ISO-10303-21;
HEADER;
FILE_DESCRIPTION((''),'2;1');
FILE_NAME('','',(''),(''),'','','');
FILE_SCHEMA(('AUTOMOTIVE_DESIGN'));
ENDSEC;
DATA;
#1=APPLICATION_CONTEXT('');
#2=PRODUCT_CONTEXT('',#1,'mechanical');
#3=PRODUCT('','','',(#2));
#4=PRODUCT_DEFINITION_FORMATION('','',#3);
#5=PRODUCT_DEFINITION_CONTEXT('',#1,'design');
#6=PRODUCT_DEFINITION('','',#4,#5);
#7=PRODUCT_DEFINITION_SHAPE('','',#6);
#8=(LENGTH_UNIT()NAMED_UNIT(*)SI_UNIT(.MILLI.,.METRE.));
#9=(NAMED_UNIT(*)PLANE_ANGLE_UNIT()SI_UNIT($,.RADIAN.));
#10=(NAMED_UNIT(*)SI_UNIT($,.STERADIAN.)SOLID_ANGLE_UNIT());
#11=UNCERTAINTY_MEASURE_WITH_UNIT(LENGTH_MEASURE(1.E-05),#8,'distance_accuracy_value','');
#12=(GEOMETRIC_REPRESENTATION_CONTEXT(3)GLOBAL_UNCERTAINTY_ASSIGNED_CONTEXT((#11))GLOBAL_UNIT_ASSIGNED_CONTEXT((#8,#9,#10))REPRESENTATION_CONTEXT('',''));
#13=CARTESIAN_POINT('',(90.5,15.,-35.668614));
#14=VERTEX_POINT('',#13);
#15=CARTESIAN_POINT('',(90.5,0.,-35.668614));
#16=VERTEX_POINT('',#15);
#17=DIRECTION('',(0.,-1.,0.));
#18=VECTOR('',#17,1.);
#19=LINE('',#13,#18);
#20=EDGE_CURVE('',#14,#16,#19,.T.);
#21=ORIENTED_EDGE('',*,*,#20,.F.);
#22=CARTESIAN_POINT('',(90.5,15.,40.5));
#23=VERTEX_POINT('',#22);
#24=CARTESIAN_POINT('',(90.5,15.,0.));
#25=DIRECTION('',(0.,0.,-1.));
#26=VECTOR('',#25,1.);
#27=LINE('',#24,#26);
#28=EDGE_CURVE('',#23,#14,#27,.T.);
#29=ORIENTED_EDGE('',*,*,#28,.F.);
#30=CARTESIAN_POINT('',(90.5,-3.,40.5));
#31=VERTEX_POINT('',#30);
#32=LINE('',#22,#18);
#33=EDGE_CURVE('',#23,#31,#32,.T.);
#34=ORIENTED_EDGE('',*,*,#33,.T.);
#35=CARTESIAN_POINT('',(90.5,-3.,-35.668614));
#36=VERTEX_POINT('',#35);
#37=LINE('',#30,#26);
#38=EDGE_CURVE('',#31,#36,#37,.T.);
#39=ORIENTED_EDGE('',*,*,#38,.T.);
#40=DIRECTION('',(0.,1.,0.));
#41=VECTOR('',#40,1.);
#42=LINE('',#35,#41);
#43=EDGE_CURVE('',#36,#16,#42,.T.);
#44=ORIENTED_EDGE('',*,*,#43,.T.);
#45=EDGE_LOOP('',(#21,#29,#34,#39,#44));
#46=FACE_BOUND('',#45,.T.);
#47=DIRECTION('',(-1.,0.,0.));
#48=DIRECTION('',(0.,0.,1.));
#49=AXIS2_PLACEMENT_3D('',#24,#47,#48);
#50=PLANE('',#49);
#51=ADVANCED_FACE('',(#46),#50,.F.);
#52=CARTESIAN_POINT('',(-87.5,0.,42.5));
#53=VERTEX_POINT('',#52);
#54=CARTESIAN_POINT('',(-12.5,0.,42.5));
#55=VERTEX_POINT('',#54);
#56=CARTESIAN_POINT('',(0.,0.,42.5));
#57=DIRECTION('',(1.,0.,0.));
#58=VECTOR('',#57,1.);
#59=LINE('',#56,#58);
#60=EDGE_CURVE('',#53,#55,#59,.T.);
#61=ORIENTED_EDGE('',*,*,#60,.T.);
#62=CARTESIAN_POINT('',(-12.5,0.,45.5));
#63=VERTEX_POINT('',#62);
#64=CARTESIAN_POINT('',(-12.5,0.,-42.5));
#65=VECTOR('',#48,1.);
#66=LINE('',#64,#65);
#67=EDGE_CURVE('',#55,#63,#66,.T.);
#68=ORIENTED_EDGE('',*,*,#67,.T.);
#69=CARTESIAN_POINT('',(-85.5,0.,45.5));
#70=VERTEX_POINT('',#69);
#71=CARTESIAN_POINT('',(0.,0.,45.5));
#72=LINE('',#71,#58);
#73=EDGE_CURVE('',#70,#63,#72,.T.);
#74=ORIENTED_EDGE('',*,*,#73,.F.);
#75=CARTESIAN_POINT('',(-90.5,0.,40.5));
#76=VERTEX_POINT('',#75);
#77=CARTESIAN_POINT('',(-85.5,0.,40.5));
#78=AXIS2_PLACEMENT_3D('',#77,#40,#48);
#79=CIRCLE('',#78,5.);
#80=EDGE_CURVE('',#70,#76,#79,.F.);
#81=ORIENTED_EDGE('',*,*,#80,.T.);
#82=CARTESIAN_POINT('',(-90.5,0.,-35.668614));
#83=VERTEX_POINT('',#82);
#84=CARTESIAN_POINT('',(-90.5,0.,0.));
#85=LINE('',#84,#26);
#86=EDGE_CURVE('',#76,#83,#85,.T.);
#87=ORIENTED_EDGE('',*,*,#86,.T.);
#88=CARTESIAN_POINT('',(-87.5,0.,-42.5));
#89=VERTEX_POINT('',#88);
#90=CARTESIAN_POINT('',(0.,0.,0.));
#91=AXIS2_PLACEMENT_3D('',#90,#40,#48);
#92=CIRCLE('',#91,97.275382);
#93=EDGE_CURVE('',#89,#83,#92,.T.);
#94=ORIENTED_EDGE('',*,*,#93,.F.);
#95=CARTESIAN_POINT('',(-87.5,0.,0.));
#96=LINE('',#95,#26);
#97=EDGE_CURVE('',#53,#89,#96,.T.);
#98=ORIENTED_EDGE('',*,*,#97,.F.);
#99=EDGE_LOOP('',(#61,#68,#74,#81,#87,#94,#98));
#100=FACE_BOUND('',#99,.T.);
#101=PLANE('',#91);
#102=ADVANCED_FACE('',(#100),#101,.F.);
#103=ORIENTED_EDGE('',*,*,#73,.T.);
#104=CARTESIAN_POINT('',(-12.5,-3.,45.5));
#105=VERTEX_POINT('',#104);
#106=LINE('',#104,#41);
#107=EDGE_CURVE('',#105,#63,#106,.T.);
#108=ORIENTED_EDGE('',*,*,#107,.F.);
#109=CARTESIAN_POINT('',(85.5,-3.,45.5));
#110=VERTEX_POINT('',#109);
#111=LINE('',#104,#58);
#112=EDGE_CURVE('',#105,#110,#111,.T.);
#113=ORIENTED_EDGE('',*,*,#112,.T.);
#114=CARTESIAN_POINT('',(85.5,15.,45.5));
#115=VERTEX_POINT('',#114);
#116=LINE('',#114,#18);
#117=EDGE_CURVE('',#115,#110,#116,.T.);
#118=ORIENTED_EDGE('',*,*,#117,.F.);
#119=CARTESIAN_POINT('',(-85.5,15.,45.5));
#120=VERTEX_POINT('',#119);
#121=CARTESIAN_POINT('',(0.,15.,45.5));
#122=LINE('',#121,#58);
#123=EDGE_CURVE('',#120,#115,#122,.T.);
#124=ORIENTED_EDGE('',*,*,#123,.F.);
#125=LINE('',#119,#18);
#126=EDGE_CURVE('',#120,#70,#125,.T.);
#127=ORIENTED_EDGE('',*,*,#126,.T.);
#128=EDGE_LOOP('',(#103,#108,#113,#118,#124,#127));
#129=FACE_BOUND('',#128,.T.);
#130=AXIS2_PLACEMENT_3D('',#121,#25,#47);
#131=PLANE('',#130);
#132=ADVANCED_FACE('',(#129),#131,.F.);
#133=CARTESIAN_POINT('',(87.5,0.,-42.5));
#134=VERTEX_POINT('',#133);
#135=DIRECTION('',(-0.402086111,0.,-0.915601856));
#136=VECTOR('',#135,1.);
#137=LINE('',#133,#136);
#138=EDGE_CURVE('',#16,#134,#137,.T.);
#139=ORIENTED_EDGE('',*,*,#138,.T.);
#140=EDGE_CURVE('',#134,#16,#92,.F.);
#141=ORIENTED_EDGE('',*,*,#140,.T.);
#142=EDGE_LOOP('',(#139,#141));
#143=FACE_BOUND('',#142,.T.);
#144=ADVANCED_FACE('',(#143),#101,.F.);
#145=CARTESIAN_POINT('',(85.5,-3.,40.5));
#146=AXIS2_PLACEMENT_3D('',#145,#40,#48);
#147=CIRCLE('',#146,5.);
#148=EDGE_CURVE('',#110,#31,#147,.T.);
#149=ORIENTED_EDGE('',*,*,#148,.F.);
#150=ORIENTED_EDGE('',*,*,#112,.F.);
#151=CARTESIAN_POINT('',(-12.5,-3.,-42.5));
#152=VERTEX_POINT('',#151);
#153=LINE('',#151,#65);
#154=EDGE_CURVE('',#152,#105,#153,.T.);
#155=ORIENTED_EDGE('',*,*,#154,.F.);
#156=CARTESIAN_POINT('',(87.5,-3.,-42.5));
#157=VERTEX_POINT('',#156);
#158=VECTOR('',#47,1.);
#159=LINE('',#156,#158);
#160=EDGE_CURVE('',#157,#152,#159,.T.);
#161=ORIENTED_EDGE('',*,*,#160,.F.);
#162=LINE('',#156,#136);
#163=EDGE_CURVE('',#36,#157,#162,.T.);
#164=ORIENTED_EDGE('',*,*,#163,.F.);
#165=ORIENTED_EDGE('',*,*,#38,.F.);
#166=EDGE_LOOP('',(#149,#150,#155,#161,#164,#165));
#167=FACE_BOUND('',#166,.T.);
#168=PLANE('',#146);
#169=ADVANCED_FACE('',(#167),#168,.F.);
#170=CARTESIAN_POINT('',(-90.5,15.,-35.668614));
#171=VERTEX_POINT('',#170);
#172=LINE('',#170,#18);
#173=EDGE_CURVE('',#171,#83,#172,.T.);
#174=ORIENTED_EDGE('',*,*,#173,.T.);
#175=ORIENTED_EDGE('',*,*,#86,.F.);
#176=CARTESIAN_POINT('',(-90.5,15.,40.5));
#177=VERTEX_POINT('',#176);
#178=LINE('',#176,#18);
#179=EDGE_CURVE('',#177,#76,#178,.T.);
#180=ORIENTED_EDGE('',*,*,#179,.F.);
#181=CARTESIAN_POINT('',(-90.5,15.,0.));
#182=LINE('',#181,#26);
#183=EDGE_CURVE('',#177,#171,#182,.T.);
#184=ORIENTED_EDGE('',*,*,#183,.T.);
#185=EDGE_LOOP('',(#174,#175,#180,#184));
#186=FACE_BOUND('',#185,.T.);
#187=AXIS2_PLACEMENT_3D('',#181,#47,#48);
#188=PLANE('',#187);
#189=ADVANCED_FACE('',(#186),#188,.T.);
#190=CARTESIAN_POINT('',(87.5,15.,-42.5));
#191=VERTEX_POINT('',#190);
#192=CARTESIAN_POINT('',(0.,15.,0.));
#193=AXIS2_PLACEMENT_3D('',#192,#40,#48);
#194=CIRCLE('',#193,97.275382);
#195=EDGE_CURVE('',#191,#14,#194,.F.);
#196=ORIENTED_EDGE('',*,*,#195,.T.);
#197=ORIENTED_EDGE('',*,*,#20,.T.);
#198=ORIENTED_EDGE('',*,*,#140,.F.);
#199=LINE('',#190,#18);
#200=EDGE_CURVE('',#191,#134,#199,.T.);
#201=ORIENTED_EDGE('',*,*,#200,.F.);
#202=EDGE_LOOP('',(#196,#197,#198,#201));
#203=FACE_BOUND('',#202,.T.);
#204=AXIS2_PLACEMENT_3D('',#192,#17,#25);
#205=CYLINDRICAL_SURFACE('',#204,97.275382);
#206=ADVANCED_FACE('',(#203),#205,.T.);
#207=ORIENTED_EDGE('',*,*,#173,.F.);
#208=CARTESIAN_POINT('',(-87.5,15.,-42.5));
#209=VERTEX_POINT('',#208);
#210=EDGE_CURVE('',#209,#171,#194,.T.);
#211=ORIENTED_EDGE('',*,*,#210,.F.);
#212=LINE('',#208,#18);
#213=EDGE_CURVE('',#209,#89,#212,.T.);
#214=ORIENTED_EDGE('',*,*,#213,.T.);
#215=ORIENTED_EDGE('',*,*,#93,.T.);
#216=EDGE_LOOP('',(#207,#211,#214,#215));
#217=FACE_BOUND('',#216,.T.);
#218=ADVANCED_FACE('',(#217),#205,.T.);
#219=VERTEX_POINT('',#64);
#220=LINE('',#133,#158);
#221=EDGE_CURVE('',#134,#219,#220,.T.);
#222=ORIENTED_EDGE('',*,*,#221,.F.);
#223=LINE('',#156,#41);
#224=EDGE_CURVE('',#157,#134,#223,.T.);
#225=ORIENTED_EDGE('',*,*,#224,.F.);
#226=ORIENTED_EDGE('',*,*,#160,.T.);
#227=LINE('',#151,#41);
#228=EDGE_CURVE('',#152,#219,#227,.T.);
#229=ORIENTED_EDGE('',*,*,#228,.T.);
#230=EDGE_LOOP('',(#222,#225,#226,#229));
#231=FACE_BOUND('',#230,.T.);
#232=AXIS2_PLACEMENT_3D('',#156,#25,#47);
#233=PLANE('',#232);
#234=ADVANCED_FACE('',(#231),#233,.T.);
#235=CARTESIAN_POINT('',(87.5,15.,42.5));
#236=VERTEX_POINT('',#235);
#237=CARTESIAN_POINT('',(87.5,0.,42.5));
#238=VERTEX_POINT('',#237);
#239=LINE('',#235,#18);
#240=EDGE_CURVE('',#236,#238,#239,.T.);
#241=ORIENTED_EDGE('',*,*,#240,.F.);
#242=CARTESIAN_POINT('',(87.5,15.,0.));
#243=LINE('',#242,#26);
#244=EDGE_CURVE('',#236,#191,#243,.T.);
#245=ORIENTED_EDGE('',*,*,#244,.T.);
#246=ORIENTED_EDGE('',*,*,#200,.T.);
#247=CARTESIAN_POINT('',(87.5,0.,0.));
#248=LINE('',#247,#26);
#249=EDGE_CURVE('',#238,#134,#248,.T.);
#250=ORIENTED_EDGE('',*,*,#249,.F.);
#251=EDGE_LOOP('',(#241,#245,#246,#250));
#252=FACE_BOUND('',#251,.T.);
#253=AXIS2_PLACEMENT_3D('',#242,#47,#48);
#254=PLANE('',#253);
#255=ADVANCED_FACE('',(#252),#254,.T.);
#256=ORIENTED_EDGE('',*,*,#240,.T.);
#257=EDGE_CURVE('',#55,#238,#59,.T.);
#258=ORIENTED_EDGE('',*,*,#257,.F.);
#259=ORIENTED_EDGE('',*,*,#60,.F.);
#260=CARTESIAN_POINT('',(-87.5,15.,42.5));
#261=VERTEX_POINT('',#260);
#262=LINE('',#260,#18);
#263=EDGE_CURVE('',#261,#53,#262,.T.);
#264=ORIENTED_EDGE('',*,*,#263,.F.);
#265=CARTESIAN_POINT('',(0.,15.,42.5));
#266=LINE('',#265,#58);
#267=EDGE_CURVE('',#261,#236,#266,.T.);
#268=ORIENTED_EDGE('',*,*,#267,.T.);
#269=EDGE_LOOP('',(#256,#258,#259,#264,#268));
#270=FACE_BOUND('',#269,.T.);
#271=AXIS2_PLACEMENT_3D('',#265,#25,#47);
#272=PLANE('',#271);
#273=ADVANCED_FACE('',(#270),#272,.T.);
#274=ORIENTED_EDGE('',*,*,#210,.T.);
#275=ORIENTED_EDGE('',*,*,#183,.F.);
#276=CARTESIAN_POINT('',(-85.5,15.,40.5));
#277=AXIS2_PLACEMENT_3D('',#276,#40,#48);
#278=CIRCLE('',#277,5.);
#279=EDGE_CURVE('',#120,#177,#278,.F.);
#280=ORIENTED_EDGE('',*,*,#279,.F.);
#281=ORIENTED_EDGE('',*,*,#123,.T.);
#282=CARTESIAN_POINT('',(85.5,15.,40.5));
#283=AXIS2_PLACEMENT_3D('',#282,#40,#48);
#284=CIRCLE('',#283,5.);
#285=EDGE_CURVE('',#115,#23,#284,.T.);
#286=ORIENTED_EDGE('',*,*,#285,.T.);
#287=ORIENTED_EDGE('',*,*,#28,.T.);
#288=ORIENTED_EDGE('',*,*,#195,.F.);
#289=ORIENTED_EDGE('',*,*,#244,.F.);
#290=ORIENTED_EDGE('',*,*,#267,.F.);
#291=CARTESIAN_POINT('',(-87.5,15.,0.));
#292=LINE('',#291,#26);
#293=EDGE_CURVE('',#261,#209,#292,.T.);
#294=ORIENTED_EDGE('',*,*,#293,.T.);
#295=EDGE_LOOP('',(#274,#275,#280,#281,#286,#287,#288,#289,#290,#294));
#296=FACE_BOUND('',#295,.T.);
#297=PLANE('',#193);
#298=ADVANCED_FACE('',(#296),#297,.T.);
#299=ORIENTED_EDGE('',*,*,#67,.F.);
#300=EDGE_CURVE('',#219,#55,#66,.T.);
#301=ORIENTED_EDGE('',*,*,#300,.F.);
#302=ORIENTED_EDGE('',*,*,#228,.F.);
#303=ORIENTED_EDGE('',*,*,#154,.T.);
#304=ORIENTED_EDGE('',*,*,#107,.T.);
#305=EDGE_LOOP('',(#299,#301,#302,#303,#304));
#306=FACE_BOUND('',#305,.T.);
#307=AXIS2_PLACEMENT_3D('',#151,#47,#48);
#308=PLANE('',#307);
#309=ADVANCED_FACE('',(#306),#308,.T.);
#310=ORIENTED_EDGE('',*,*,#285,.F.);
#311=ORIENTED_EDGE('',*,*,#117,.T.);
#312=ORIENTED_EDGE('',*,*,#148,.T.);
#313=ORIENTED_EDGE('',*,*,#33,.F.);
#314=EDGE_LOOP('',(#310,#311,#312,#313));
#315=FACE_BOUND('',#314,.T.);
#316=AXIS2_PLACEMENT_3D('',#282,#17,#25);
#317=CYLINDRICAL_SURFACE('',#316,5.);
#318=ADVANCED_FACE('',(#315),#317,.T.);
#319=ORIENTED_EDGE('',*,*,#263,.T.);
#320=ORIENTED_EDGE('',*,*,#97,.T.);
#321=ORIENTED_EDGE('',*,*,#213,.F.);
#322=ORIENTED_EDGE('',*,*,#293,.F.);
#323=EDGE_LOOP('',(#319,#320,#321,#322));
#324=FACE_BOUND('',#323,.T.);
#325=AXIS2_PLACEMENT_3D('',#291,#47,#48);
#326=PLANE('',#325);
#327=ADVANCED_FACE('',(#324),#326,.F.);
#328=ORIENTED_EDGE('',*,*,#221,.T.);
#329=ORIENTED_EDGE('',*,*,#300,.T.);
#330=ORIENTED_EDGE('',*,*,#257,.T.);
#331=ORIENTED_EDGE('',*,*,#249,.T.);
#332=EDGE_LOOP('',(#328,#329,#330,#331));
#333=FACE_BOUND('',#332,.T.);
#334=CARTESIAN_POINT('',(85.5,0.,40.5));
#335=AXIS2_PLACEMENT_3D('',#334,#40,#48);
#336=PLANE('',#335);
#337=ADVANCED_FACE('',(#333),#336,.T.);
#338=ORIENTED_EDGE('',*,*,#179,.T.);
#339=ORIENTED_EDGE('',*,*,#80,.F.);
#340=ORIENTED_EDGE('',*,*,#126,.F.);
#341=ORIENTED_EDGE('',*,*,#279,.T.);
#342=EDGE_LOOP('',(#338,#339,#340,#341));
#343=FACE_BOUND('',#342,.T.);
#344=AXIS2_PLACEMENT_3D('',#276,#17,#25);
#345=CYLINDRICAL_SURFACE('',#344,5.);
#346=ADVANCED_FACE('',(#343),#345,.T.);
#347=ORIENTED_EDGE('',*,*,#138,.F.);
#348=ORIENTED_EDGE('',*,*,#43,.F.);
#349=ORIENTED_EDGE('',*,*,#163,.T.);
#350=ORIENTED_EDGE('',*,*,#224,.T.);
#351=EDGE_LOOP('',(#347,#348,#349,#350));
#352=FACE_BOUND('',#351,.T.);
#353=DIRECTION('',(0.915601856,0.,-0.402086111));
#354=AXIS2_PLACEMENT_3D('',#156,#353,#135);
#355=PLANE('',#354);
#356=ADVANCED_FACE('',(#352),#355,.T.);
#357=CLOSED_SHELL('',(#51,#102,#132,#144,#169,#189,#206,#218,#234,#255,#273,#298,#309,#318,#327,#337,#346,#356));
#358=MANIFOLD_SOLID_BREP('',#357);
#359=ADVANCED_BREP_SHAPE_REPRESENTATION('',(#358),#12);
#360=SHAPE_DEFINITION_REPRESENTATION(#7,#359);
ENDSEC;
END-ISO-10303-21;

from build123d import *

# Parameters (mm, degrees)
BOSS_EXTRUDE2_DEPTH = 15
BOSS_EXTRUDE3_START = -3
BOSS_EXTRUDE3_DEPTH = 3


with BuildPart() as part:
    # Sketch1 → Boss-Extrude2 (new body)
    with BuildSketch(Plane(origin=(0, 0, 0), x_dir=(1, 0, 0), z_dir=(0, 1, 0))):
        with BuildLine():
            ThreePointArc((-85.5, -45.5), (-89.035533906, -44.035533906), (-90.5, -40.5))
            Line((-90.5, -40.5), (-90.5, 35.668613654))
            ThreePointArc((-90.5, 35.668613654), (-89.065520601, 39.113080167), (-87.5, 42.5))
            Line((-87.5, 42.5), (-87.5, -42.5))
            Line((-87.5, -42.5), (87.5, -42.5))
            Line((87.5, -42.5), (87.5, 42.5))
            ThreePointArc((87.5, 42.5), (89.065520601, 39.113080167), (90.5, 35.668613654))
            Line((90.5, 35.668613654), (90.5, -40.5))
            ThreePointArc((90.5, -40.5), (89.035533906, -44.035533906), (85.5, -45.5))
            Line((85.5, -45.5), (-85.5, -45.5))
        make_face()
    extrude(amount=BOSS_EXTRUDE2_DEPTH)

    # Sketch3 → Boss-Extrude3 (add)
    with BuildSketch(Plane(origin=(0, 0, 0), x_dir=(1, 0, 0), z_dir=(0, 1, 0)).offset(BOSS_EXTRUDE3_START)):
        with BuildLine():
            Line((87.5, 42.5), (-12.5, 42.5))
            Line((-12.5, 42.5), (-12.5, -45.5))
            Line((-12.5, -45.5), (85.5, -45.5))
            ThreePointArc((85.5, -45.5), (89.035533906, -44.035533906), (90.5, -40.5))
            Line((90.5, -40.5), (90.5, 35.668613654))
            Line((90.5, 35.668613654), (87.5, 42.5))
        make_face()
    extrude(amount=BOSS_EXTRUDE3_DEPTH)


solid = part.part
